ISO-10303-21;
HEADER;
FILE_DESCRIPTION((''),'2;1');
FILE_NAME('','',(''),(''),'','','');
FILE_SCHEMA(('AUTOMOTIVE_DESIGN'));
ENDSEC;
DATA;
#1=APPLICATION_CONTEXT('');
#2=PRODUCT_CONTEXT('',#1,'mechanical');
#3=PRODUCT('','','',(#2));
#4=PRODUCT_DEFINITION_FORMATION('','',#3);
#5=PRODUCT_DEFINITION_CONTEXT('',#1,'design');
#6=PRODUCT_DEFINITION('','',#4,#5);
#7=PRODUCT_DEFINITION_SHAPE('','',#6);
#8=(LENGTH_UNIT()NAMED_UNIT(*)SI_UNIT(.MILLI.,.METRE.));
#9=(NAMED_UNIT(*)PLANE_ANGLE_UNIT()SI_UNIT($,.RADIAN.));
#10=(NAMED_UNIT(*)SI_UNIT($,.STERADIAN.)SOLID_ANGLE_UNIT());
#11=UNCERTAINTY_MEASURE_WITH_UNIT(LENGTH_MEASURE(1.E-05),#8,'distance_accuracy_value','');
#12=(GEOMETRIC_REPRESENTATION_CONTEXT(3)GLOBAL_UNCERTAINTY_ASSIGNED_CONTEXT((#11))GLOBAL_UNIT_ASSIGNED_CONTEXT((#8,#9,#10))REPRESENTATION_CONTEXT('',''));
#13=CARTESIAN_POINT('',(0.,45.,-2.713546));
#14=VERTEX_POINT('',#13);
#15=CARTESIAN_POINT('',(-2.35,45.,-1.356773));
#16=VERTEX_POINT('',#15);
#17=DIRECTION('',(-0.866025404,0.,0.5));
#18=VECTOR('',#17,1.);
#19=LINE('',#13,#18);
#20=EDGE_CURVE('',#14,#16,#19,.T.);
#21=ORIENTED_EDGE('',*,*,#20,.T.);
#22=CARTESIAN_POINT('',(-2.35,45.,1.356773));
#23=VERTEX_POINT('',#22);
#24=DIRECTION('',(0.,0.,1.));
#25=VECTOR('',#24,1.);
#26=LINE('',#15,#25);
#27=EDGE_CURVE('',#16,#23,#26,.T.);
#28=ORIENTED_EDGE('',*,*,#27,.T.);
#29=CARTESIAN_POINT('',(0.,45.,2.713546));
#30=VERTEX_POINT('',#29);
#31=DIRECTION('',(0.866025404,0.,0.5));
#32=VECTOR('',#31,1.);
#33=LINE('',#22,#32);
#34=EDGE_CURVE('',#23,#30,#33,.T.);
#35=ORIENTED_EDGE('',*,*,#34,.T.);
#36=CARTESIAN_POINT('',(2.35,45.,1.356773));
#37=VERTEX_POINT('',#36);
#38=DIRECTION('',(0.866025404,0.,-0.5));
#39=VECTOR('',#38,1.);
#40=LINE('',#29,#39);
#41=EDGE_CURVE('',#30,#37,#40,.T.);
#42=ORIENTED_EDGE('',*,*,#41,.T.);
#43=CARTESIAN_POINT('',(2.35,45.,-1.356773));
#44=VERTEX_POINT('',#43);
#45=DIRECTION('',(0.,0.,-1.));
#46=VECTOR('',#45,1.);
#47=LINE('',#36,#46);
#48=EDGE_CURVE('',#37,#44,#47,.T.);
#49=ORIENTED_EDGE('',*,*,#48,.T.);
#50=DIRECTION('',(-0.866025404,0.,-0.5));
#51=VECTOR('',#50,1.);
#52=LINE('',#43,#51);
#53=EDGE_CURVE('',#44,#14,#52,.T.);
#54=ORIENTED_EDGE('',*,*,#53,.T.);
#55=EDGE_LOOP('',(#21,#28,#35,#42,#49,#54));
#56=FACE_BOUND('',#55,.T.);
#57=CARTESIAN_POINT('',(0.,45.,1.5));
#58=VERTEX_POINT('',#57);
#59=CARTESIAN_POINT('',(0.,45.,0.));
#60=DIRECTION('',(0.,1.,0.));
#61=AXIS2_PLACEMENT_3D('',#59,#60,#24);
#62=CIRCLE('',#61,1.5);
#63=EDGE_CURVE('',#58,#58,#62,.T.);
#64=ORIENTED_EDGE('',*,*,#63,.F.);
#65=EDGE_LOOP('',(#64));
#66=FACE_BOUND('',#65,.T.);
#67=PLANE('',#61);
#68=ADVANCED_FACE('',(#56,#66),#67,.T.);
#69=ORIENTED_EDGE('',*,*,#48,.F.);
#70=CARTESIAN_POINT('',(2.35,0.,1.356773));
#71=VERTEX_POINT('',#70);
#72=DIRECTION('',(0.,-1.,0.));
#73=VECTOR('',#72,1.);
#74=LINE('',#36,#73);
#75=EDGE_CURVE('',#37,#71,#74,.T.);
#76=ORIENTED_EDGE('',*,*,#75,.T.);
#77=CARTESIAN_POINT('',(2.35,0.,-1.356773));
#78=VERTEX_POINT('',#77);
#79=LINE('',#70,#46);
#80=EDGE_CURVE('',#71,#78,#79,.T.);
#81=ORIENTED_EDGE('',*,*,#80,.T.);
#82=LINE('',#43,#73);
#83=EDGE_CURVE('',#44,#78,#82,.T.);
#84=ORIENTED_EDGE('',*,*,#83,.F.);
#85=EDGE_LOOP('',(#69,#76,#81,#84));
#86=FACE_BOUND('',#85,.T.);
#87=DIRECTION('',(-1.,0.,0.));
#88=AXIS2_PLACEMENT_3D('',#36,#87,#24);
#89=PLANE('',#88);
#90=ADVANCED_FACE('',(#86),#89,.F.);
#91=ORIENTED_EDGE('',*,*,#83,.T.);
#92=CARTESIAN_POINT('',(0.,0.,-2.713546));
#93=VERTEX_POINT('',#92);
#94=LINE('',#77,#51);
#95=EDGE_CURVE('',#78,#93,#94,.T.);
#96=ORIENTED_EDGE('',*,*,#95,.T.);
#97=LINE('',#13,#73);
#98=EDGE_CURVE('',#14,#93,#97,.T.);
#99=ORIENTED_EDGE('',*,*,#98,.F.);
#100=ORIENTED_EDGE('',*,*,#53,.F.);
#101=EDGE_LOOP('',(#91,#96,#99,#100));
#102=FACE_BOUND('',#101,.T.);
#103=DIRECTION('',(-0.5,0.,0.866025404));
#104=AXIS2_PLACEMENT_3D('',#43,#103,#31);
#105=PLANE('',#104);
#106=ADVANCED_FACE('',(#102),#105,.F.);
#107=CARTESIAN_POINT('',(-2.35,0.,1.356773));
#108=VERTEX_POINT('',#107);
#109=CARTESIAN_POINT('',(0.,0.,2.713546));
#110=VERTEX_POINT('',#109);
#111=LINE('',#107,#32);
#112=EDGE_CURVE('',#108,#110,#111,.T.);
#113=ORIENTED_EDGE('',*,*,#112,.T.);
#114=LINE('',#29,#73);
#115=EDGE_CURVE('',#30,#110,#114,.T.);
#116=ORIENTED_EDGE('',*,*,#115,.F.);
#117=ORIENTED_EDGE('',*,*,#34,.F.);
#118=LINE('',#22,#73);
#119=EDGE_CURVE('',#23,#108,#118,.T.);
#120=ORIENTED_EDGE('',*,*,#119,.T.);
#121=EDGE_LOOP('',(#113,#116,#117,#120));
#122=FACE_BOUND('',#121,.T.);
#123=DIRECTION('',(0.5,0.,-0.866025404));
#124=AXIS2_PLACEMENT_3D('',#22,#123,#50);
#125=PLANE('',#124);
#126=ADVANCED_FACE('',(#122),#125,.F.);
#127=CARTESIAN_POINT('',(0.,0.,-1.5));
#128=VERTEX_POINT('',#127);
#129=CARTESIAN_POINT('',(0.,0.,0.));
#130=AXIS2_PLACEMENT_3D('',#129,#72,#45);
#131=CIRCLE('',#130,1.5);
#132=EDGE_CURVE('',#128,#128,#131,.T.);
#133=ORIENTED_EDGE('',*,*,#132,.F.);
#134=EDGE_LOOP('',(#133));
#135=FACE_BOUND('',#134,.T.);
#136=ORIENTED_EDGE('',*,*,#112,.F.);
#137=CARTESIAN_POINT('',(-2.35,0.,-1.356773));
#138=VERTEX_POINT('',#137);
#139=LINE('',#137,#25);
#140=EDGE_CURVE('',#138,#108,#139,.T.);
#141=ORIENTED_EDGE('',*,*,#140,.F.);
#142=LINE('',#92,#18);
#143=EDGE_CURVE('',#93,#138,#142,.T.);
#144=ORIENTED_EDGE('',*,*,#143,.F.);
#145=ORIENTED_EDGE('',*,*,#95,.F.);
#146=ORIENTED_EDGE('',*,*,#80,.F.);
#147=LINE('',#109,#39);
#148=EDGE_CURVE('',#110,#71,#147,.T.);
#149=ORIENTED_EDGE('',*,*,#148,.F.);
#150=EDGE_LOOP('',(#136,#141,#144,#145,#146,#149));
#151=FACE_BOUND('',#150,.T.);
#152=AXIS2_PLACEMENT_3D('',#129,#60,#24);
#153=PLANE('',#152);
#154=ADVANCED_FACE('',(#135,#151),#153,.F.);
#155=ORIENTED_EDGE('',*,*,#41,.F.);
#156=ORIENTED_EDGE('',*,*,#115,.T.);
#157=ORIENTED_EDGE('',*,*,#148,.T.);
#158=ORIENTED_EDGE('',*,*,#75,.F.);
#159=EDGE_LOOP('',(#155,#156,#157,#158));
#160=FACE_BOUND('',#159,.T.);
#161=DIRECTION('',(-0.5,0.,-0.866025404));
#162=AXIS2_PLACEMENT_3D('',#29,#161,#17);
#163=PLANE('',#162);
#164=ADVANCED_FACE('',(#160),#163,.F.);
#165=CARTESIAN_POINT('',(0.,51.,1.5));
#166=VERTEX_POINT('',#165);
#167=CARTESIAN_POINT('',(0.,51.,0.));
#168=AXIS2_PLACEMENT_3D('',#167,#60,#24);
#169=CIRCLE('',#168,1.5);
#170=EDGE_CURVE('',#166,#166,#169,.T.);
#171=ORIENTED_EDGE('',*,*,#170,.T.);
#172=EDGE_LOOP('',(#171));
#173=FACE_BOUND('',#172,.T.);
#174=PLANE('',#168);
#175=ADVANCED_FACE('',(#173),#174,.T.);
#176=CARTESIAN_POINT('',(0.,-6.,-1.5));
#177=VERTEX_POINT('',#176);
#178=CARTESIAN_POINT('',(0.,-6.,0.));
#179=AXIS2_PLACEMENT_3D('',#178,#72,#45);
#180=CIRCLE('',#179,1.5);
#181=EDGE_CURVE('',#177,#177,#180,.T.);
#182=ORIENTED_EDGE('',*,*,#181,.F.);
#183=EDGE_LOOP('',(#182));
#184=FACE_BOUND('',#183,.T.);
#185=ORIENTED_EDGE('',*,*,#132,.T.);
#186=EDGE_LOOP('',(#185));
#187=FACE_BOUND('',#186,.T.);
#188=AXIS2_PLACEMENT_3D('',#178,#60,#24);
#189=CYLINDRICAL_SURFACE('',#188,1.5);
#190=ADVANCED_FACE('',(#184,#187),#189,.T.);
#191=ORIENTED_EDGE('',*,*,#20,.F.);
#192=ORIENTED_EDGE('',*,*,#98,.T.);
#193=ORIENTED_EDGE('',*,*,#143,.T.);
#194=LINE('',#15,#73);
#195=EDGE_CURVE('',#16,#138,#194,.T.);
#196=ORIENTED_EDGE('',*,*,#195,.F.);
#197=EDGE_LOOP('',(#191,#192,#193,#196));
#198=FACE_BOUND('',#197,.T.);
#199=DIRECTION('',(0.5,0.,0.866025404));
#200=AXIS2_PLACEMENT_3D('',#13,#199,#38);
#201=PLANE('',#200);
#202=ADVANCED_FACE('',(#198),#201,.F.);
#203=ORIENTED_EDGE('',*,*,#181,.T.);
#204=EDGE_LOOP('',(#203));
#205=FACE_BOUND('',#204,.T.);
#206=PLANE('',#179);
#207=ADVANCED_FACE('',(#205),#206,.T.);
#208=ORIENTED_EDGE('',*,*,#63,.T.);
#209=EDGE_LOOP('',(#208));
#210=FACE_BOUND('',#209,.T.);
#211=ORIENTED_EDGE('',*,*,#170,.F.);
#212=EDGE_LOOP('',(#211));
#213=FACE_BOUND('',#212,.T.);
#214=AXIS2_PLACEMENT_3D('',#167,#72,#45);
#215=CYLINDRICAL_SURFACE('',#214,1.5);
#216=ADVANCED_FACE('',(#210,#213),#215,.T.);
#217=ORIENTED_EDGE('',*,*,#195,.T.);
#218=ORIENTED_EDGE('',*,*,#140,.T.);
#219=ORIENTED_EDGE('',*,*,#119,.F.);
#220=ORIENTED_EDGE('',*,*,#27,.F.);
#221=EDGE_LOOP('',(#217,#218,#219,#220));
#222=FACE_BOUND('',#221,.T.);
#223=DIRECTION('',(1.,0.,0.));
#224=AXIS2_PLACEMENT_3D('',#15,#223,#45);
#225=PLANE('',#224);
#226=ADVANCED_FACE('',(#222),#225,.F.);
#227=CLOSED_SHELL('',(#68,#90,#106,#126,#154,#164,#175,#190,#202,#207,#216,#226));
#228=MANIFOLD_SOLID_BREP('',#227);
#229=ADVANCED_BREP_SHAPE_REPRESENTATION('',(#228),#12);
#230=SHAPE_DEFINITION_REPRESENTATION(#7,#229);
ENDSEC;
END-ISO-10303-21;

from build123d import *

# Parameters (mm, degrees)
BOSS_EXTRUDE1_DEPTH = 45
SKETCH2_R           = 1.5
BOSS_EXTRUDE2_DEPTH = 6
BOSS_EXTRUDE3_START = 6
SKETCH5_R           = 1.5
BOSS_EXTRUDE3_DEPTH = 6


with BuildPart() as part:
    # Sketch1 → Boss-Extrude1 (new body)
    with BuildSketch(Plane(origin=(0, 0, 0), x_dir=(1, 0, 0), z_dir=(0, 1, 0))):
        Polygon((0, 2.713546265), (-2.35, 1.356773133), (-2.35, -1.356773133), (0, -2.713546265), (2.35, -1.356773133), (2.35, 1.356773133), align=None)
    extrude(amount=BOSS_EXTRUDE1_DEPTH)

    # Sketch2 → Boss-Extrude2 (add)
    with BuildSketch(Plane(origin=(0, 45, 0), x_dir=(1, 0, 0), z_dir=(0, 1, 0))):
        with Locations(Location((0, 0, 0), (0, 0, 270))):
            Circle(SKETCH2_R)
    extrude(amount=BOSS_EXTRUDE2_DEPTH)

    # Sketch5 → Boss-Extrude3 (add)
    with BuildSketch(Plane.XZ.offset(BOSS_EXTRUDE3_START)):
        with Locations(Location((0, 0, 0), (0, 0, 90))):
            Circle(SKETCH5_R)
    extrude(amount=-BOSS_EXTRUDE3_DEPTH)


solid = part.part
